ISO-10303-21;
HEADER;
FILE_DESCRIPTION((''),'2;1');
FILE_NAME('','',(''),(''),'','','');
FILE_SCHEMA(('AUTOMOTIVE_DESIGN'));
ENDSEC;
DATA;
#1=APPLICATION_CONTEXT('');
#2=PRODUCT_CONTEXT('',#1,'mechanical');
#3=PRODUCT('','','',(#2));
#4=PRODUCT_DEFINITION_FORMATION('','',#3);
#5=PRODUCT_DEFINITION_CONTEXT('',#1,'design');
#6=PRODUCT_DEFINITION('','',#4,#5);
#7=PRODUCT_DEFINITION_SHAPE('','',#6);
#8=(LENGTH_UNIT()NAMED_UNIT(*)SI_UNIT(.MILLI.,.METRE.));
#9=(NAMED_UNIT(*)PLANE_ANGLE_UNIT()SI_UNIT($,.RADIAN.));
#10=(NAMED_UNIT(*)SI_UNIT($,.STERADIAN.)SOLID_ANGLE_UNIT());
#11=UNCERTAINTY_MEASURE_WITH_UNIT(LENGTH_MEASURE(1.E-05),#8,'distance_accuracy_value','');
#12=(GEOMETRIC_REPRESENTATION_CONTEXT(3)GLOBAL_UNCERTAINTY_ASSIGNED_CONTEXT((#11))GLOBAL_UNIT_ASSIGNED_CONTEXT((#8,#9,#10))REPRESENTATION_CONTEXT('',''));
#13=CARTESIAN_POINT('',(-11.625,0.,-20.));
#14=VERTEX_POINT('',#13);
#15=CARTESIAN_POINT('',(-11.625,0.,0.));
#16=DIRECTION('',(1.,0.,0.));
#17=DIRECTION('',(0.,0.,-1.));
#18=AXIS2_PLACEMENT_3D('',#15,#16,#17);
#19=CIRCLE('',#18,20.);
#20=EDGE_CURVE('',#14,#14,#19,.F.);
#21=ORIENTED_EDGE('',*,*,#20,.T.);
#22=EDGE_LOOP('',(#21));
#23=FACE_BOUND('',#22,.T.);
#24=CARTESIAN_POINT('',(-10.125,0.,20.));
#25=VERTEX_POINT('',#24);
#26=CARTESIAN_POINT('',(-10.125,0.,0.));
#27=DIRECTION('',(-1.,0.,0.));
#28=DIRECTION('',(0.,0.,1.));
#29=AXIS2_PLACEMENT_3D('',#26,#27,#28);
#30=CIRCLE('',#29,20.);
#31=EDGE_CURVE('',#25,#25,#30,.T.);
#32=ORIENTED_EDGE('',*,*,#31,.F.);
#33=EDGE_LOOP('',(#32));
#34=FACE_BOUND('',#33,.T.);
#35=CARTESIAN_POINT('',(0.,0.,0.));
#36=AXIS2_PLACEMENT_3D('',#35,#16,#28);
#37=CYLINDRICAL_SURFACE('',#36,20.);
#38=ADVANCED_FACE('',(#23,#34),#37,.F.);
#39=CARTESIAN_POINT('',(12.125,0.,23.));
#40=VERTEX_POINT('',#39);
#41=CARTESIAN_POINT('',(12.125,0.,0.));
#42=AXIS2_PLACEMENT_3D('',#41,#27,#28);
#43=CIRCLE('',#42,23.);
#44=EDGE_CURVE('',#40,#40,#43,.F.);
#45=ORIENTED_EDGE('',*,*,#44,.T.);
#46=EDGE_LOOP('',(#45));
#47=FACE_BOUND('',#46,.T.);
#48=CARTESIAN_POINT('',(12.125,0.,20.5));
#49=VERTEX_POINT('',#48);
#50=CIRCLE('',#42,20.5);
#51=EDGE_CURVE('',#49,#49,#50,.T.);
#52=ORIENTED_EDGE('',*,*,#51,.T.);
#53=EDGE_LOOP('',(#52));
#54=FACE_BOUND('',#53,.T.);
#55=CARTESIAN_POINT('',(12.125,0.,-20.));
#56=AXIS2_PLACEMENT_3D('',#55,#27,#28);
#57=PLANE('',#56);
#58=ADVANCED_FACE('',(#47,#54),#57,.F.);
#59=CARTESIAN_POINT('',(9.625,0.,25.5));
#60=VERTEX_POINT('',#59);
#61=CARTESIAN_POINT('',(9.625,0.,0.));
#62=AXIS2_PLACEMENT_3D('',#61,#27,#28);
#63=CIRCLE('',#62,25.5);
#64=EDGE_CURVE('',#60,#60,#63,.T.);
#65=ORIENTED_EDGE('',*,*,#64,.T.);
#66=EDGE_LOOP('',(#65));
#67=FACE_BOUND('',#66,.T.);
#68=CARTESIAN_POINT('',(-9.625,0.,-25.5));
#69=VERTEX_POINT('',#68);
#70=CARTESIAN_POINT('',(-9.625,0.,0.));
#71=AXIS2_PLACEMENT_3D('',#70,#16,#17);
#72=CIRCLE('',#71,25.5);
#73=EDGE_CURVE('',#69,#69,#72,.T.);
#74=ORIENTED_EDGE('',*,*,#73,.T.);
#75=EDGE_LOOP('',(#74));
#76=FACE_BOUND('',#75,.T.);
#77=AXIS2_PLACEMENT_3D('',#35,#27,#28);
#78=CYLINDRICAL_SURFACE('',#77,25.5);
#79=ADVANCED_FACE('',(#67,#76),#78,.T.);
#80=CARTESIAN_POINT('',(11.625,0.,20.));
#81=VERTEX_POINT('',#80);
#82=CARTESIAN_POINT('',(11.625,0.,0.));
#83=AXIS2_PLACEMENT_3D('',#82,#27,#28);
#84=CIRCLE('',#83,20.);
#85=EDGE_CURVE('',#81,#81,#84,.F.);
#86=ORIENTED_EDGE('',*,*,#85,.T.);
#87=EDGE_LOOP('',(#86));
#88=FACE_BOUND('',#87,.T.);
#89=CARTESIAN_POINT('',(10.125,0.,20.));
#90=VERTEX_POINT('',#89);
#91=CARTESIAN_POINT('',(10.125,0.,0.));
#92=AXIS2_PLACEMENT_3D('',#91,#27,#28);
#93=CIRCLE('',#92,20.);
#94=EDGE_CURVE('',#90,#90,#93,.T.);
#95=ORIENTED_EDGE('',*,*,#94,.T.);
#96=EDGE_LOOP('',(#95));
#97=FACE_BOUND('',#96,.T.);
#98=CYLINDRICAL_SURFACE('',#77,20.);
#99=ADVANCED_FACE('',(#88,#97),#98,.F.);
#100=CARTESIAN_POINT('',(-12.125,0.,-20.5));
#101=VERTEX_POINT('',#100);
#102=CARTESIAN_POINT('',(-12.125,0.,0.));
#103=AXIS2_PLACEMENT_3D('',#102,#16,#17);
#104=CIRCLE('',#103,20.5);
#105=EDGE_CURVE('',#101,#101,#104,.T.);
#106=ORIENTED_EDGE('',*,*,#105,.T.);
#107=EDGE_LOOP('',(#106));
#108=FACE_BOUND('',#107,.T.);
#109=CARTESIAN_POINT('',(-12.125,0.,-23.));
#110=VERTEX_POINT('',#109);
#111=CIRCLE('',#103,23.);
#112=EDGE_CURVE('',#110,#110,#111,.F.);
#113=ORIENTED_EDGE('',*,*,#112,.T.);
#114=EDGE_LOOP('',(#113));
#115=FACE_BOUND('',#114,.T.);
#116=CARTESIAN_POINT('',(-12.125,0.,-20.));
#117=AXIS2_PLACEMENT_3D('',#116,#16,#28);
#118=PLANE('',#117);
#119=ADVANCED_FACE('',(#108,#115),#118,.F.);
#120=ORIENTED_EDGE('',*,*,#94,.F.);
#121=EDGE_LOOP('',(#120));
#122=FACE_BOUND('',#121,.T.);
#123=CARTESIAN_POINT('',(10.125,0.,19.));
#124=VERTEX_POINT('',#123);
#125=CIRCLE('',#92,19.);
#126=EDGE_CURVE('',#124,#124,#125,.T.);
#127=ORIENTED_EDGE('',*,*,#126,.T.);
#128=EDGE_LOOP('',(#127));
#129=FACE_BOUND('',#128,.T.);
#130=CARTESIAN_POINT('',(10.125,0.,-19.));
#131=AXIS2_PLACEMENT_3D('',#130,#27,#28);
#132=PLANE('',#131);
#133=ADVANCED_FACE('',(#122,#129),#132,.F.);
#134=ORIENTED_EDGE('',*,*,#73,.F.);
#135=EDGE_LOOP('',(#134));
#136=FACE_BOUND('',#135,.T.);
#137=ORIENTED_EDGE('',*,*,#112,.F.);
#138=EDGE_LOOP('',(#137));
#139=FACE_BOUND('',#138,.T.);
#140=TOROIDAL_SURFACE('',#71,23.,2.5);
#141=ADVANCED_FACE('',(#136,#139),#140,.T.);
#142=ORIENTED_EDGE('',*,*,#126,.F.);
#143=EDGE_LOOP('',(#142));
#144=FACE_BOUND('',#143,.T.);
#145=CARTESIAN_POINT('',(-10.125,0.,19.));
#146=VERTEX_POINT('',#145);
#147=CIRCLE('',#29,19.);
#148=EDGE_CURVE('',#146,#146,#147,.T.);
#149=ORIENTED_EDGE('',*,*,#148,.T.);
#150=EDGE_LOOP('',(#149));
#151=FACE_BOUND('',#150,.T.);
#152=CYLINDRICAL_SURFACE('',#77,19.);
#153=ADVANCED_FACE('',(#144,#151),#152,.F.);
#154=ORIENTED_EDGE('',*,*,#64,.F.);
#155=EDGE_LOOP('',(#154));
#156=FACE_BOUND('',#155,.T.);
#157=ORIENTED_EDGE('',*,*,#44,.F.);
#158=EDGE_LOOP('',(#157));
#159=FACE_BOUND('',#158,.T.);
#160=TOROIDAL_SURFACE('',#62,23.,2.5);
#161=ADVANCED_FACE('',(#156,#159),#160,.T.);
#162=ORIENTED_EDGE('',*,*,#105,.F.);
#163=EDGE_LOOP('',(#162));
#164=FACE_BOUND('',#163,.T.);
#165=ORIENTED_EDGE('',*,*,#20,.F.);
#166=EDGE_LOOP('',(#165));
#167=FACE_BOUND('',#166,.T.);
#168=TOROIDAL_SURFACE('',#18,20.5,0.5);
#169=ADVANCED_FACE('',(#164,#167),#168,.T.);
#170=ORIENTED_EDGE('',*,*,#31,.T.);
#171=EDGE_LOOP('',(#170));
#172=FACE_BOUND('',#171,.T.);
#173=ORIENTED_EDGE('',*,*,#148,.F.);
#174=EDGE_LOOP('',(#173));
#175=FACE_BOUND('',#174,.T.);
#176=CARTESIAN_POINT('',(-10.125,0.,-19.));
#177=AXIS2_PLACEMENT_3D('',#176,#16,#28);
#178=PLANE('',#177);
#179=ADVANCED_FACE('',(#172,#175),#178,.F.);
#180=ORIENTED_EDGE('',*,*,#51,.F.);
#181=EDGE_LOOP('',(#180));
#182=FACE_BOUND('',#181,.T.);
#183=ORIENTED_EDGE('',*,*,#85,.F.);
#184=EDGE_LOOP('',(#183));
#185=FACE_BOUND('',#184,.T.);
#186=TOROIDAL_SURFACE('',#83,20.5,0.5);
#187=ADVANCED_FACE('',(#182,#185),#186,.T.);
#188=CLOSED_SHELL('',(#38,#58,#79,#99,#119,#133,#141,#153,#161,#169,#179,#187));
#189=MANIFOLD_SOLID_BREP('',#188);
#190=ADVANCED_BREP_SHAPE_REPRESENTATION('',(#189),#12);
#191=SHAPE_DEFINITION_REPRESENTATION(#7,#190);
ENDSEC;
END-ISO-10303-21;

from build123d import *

# Parameters (mm, degrees)
FILLET1_R = 2.5
FILLET2_R = 0.5


with BuildPart() as part:
    # Sketch1 → Revolve1 (revolve)
    with BuildSketch(Plane(origin=(0, 0, 0), x_dir=(1, 0, 0), z_dir=(0, 1, 0))):
        Polygon((0, 19), (10.125, 19), (10.125, 20), (12.125, 20), (12.125, 25.5), (0, 25.5), align=None)
    revolve1 = revolve(axis=Axis((0, 0, 0), (1, 0, 0)))

    # Mirror1: Revolve1 across plane
    add(revolve1.mirror(Plane(origin=(0, 0, 0), x_dir=(0, 0, 1), z_dir=(1, 0, 0))))

    # Fillet1
    fillet1_edges = [part.edges().sort_by_distance(p)[0] for p in [
        (-12.125, 0, 25.5),
        (12.125, 0, 25.5),
    ]]
    fillet(fillet1_edges, radius=FILLET1_R)

    # Fillet2
    fillet2_edges = [part.edges().sort_by_distance(p)[0] for p in [
        (-12.125, 0, 20),
        (12.125, 0, 20),
    ]]
    fillet(fillet2_edges, radius=FILLET2_R)


solid = part.part
